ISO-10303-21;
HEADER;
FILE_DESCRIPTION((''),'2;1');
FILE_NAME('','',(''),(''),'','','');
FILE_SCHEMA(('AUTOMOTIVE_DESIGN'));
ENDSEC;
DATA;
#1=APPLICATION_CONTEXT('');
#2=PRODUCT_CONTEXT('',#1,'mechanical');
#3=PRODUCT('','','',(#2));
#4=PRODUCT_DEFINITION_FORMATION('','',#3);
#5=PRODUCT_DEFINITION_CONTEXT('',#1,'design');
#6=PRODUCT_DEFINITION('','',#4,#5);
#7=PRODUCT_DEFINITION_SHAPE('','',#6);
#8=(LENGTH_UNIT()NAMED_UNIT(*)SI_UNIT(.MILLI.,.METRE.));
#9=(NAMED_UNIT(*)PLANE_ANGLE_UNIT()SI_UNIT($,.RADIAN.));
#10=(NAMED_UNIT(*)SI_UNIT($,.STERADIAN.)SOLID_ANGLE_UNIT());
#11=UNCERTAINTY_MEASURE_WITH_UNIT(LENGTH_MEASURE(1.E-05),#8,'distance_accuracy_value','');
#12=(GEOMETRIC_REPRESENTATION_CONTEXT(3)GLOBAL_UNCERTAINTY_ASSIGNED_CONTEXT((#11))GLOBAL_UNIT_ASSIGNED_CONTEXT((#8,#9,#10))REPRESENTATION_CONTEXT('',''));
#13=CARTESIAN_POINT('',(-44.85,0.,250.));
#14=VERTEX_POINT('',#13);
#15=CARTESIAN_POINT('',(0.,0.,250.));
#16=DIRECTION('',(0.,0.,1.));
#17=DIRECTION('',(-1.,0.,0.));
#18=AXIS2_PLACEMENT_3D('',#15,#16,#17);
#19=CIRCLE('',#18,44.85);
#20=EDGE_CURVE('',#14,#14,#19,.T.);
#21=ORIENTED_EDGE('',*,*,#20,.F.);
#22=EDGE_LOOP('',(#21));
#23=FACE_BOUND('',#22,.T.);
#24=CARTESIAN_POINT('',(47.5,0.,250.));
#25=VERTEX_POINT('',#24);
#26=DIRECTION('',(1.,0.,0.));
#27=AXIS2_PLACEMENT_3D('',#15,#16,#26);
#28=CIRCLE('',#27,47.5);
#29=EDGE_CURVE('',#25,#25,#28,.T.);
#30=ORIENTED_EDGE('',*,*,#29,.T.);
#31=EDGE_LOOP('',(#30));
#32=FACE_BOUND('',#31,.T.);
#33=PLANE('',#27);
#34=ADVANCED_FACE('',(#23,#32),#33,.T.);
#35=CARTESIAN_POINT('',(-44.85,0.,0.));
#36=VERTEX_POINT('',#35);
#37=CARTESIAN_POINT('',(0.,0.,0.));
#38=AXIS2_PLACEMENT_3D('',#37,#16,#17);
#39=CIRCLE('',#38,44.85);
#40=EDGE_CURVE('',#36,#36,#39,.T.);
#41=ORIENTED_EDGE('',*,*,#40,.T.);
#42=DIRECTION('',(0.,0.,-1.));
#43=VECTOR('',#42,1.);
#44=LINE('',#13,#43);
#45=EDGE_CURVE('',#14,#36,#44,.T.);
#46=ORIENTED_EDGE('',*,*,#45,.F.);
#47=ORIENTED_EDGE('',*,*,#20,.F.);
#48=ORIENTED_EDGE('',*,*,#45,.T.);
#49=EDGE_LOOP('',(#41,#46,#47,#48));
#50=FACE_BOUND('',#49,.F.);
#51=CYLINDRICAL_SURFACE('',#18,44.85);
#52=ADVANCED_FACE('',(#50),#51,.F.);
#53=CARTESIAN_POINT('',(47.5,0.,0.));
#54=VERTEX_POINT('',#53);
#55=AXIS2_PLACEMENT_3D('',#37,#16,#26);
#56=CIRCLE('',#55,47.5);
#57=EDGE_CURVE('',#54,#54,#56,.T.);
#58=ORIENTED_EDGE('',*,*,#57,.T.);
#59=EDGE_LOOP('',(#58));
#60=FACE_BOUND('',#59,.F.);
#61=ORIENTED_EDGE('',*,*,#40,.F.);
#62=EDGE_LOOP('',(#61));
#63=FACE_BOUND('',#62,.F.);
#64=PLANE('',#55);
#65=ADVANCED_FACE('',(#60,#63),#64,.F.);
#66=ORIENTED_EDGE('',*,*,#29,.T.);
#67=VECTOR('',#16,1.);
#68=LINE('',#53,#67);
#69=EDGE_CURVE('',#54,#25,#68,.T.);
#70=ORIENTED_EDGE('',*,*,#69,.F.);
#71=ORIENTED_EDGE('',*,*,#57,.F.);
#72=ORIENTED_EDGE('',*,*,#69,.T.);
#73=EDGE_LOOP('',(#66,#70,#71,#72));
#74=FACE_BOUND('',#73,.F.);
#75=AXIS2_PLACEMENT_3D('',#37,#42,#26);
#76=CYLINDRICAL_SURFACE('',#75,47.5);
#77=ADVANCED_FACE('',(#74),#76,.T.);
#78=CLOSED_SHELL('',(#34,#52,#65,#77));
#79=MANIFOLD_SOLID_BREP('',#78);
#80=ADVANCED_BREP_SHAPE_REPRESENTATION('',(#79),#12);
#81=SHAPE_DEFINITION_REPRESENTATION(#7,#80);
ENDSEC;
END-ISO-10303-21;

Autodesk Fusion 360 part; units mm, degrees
sketch "Sketch1" plane through (0, 0, 0) normal (0, 0, 1) x (1, 0, 0)
  circle A0 centre (0, 0) radius 47.5
  dimension "d1" = 95
extrude "Extrude1" add sketch "Sketch1" along normal blind 250
sketch "Sketch2" plane through (0, 0, 250) normal (0, 0, 1) x (-1, 0, 0)
  circle A0 centre (0, 0) radius 47.5
  circle A1 centre (0, 0) radius 44.85
  dimension "d4" = 89.7
extrude "Extrude2" cut sketch "Sketch2" against normal blind 250 contours A1
